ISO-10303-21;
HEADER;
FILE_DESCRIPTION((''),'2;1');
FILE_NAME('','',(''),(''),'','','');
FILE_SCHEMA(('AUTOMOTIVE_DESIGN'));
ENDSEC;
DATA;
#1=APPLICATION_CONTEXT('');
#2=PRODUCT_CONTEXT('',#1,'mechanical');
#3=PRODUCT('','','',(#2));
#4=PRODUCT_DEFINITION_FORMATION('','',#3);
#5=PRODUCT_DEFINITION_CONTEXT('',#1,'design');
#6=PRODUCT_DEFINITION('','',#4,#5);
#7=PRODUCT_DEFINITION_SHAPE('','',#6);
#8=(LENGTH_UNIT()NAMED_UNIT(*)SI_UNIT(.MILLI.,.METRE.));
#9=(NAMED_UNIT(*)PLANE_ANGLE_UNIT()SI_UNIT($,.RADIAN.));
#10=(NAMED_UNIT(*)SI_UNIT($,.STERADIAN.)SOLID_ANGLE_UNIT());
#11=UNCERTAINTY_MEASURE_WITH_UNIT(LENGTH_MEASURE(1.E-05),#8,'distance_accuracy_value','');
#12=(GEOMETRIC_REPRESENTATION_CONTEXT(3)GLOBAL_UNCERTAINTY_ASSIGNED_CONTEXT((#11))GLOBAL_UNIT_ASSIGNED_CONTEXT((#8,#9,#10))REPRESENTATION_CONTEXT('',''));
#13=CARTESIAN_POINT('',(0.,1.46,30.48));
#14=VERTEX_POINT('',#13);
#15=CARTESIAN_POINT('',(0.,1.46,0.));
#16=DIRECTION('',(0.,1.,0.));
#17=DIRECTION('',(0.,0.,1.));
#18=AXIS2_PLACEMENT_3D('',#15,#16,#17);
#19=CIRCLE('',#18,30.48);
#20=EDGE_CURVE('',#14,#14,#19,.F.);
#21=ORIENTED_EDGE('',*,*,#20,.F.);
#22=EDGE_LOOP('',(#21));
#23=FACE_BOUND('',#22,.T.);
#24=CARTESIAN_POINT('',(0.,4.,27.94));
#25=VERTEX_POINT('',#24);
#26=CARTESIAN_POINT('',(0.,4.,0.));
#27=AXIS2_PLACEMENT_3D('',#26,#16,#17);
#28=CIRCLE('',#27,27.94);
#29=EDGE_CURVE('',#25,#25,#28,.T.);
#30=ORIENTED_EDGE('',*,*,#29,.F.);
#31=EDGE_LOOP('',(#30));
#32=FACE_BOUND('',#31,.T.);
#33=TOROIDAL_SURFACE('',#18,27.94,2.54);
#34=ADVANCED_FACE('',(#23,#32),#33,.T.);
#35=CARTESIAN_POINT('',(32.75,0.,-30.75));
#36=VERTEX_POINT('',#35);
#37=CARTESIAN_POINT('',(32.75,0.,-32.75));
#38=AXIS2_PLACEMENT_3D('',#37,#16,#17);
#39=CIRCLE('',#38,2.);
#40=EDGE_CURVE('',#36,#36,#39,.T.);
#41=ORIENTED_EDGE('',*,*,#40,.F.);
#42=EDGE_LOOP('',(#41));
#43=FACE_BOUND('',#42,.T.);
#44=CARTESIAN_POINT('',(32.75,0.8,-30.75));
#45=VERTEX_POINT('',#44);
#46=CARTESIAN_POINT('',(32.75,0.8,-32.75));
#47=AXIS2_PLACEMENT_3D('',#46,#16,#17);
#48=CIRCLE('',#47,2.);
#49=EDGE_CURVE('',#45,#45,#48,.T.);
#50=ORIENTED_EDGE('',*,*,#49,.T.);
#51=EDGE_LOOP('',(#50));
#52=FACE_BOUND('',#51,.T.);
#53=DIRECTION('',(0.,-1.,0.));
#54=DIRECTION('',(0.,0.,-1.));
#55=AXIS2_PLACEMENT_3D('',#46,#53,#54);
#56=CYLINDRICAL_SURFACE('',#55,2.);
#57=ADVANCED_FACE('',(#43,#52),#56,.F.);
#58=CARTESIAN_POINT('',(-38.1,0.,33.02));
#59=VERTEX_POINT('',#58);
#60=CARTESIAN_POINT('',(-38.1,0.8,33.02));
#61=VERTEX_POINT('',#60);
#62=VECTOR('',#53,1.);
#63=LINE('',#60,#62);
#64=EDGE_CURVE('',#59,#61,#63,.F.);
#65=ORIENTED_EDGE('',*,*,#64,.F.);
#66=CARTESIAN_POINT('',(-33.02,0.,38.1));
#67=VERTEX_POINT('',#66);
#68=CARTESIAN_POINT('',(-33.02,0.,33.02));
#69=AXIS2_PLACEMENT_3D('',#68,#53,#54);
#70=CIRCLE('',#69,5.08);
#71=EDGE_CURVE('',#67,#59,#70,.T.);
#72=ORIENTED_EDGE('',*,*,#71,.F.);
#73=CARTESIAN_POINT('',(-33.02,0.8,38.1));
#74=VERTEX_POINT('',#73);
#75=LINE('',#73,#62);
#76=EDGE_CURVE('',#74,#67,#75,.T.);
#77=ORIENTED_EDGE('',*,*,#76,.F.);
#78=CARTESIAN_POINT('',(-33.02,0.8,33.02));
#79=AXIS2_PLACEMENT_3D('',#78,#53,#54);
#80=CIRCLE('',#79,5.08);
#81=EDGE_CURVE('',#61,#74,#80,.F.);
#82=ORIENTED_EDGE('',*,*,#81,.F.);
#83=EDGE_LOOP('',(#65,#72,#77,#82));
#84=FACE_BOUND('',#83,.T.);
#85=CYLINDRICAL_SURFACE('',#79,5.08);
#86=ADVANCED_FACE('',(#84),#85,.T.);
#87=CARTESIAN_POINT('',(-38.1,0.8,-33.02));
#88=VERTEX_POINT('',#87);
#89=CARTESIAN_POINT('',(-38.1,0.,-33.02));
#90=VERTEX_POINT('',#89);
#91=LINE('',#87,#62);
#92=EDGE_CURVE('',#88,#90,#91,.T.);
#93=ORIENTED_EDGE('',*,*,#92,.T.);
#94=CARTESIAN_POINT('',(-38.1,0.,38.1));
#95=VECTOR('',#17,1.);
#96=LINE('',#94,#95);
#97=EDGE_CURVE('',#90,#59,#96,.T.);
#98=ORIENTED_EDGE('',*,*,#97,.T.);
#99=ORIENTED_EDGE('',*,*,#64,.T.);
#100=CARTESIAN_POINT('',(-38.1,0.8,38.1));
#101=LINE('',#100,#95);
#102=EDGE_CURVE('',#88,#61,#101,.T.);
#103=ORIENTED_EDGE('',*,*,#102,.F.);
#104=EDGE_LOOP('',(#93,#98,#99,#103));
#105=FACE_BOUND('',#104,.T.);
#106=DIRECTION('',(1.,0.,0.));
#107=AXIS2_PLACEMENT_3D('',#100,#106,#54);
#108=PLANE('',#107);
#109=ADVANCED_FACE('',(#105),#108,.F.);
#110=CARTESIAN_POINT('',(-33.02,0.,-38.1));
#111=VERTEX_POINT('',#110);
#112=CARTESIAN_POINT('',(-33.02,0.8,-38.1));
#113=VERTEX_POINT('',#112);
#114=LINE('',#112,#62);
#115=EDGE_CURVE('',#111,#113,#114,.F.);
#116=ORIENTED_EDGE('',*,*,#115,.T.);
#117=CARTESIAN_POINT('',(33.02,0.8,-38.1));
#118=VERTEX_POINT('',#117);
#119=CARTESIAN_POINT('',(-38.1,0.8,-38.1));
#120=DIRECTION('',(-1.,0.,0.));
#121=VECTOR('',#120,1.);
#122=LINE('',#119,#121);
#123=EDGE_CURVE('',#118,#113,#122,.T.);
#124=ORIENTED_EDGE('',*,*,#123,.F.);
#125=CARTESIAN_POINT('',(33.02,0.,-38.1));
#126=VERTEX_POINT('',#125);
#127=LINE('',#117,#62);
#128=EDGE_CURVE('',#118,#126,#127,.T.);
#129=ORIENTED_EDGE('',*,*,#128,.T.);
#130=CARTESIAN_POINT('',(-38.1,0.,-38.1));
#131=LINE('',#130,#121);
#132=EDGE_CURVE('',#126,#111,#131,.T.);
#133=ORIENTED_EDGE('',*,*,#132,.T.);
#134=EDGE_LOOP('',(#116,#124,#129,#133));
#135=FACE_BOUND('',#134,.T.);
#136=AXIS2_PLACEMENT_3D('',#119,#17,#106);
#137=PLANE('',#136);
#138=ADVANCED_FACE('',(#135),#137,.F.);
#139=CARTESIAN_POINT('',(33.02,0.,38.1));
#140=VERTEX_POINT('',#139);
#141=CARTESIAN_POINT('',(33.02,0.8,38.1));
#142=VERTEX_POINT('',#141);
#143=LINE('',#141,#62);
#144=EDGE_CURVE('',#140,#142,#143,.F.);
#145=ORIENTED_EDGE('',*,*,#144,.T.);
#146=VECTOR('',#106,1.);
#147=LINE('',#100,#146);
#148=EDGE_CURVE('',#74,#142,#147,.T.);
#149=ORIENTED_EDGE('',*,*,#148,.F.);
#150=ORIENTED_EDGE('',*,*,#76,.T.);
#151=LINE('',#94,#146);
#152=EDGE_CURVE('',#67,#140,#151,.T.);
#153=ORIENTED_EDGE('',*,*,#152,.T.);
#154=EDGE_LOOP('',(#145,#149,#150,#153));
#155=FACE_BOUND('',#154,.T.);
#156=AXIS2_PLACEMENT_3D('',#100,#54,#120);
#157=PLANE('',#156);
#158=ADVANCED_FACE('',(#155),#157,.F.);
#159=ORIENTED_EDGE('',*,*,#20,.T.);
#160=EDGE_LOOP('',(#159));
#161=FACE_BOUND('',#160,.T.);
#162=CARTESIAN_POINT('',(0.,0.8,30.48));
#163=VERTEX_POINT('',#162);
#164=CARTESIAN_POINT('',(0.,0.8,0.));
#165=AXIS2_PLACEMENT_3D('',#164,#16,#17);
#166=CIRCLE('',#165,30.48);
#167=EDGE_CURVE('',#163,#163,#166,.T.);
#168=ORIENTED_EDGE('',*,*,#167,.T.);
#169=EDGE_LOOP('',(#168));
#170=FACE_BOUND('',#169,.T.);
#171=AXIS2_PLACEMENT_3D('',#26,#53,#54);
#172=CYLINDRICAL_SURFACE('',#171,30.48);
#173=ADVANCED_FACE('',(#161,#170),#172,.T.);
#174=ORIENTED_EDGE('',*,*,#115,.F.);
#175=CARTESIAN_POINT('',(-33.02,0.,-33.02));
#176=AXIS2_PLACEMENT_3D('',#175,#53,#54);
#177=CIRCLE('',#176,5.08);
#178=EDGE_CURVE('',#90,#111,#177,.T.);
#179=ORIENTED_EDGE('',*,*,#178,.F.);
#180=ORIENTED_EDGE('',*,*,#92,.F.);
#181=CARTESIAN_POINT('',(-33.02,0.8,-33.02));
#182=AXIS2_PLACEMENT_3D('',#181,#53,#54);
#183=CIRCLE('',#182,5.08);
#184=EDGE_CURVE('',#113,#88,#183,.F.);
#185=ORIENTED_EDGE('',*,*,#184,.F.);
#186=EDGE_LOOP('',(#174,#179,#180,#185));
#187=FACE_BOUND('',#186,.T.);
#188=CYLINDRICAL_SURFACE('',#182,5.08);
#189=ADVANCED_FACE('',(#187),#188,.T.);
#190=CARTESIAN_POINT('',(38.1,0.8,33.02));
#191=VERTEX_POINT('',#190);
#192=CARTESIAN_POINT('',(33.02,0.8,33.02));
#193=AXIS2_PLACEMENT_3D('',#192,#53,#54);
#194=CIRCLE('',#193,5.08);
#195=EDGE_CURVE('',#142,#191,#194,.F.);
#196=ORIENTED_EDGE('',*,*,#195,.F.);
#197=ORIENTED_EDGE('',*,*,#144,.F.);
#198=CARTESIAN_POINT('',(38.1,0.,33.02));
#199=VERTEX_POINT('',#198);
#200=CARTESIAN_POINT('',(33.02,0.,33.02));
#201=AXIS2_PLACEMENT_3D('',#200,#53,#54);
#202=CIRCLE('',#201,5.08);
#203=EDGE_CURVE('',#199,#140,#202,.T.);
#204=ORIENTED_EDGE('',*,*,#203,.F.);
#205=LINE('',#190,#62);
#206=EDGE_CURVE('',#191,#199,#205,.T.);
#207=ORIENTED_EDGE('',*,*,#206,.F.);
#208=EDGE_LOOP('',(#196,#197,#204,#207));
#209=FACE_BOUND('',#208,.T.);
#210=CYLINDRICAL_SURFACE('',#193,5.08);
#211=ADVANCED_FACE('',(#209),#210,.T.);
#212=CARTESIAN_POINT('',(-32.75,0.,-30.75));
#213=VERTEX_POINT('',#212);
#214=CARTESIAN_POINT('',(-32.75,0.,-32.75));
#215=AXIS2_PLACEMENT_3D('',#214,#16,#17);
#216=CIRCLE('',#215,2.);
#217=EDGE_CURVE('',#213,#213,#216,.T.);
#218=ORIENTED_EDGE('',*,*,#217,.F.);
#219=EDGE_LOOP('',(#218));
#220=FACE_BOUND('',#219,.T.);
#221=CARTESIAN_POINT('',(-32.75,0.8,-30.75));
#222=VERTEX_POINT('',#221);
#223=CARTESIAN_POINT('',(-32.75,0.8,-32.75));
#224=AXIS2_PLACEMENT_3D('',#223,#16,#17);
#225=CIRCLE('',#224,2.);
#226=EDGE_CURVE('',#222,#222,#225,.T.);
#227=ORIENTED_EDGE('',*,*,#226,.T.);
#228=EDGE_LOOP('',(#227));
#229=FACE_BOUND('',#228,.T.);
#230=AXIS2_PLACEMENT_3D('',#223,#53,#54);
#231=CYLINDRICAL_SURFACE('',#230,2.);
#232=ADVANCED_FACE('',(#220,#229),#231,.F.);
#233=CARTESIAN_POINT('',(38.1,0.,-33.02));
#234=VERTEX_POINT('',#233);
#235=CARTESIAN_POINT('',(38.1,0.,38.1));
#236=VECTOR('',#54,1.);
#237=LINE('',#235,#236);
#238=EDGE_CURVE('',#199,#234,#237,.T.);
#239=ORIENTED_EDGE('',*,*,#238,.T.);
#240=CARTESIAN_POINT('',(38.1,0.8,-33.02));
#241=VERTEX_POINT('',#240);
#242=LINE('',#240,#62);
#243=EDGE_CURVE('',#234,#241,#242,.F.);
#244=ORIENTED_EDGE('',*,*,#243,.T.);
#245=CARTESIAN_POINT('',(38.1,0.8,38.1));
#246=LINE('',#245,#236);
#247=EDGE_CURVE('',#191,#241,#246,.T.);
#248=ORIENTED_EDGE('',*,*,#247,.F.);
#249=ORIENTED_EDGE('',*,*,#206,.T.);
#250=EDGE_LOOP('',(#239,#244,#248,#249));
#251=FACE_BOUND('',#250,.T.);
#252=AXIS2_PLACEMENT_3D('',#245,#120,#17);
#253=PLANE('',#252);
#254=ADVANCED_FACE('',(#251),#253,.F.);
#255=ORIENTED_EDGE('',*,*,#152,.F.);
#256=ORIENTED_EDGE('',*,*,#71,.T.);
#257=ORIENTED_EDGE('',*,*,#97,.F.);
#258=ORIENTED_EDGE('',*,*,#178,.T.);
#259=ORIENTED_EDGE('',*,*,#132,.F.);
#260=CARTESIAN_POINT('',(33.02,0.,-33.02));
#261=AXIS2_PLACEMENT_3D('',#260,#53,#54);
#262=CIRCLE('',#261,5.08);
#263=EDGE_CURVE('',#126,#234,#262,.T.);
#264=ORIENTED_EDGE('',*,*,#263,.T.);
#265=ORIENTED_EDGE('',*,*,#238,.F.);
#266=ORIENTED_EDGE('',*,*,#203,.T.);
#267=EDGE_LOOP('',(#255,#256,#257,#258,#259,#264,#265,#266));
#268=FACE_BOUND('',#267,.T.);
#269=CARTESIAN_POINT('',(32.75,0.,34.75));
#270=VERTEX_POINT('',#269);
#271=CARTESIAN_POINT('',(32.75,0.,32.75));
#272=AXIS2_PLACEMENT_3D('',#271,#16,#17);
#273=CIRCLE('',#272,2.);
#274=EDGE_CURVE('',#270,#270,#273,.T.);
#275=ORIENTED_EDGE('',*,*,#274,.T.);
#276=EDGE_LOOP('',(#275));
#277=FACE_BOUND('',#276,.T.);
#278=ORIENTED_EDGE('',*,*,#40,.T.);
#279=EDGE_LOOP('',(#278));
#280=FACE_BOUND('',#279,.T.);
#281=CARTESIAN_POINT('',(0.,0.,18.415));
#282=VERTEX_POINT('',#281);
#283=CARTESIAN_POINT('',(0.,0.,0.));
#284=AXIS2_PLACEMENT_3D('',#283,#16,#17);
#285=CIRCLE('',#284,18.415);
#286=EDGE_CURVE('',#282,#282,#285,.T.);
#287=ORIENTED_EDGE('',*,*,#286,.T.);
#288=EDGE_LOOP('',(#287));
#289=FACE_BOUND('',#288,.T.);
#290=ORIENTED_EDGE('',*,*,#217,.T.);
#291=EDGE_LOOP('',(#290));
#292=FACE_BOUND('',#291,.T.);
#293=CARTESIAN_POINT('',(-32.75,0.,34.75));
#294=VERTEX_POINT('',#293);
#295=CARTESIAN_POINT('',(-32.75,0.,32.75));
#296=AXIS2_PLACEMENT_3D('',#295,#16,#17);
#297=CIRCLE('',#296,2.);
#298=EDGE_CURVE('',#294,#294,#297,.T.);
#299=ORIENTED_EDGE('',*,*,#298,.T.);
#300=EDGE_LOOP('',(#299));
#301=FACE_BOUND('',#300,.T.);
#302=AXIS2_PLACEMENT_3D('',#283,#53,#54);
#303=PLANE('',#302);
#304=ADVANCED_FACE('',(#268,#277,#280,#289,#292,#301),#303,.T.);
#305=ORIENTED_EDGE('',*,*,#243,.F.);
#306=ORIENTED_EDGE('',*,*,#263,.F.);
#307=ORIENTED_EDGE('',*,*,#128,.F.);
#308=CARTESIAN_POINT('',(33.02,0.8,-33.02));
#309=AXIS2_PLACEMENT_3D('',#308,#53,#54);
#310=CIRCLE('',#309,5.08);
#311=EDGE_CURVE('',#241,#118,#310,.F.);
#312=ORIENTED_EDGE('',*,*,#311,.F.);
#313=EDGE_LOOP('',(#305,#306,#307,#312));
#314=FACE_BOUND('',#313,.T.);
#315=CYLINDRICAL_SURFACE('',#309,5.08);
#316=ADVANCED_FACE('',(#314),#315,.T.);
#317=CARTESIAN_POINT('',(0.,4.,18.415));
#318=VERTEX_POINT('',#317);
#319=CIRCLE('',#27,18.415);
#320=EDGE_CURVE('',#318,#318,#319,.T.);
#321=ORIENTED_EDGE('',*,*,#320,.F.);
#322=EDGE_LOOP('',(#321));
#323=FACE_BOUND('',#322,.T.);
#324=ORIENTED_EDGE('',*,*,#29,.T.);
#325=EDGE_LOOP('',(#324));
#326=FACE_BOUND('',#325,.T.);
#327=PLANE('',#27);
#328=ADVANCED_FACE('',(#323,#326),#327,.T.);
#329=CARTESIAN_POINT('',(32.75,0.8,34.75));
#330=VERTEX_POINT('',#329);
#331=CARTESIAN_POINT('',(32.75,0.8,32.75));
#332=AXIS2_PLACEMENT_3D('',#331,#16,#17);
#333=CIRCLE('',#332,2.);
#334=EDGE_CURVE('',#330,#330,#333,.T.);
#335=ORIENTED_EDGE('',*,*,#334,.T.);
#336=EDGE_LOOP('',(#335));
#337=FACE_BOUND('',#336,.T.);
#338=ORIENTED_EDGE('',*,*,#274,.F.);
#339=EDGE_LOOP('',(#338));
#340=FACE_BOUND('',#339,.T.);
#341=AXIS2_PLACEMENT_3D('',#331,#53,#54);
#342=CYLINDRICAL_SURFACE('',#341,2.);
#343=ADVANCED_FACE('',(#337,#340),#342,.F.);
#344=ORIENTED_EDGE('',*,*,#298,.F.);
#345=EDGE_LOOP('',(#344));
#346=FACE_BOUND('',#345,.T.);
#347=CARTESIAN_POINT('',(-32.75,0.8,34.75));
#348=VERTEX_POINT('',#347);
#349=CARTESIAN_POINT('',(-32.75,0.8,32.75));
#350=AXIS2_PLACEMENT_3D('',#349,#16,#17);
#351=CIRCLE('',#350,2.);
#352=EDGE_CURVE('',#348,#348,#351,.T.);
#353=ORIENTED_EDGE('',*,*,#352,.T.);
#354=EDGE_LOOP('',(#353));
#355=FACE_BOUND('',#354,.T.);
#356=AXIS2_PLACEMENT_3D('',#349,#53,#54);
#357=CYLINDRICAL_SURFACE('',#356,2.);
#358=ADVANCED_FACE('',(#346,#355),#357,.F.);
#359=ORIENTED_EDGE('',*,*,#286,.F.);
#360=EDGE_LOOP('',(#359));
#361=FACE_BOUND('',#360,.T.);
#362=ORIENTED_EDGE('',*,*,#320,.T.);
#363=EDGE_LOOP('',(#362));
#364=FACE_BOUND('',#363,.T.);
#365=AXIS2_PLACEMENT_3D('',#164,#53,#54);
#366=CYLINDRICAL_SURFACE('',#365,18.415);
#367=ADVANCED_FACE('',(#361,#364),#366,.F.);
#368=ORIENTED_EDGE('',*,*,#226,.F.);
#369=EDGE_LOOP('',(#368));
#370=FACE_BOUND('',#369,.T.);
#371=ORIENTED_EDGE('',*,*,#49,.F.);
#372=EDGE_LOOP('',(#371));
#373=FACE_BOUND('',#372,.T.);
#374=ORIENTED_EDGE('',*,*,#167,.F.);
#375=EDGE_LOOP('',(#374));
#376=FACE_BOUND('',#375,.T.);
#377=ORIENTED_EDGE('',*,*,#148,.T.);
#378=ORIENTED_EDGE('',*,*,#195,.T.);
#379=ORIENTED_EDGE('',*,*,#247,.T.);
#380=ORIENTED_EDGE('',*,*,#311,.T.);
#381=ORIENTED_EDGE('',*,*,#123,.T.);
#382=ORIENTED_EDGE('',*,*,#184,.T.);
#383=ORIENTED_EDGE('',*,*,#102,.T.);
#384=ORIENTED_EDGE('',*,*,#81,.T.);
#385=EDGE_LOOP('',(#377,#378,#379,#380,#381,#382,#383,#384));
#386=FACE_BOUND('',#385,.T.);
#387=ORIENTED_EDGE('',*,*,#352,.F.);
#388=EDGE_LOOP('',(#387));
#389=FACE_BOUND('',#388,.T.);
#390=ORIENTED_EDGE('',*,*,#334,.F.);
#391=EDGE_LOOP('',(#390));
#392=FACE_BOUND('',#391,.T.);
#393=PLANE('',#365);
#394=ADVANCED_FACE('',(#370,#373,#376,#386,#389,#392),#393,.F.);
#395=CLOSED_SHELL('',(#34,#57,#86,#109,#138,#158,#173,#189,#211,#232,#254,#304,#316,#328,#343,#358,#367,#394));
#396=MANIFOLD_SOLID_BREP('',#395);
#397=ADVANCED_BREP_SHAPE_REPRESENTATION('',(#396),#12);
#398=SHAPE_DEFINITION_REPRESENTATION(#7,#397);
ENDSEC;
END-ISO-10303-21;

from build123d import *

# Parameters (mm, degrees)
SKETCH1_W           = 76.2
SKETCH1_H           = 76.2
SKETCH1_R           = 2.000000064
SKETCH1_R_2         = 18.415
BOSS_EXTRUDE1_DEPTH = 0.8
FILLET1_R           = 5.08
SKETCH2_R           = 30.48
SKETCH2_R_2         = 18.415
BOSS_EXTRUDE2_DEPTH = 3.2
FILLET2_R           = 2.54


with BuildPart() as part:
    # Sketch1 → Boss-Extrude1 (new body)
    with BuildSketch(Plane(origin=(0, 0, 0), x_dir=(1, 0, 0), z_dir=(0, 1, 0))):
        Rectangle(SKETCH1_W, SKETCH1_H)
        with Locations((-32.75, 32.75)):
            Circle(SKETCH1_R, mode=Mode.SUBTRACT)
        with Locations((32.75, 32.75)):
            Circle(SKETCH1_R, mode=Mode.SUBTRACT)
        with Locations((32.75, -32.75)):
            Circle(SKETCH1_R, mode=Mode.SUBTRACT)
        with Locations((-32.75, -32.75)):
            Circle(SKETCH1_R, mode=Mode.SUBTRACT)
        Circle(SKETCH1_R_2, mode=Mode.SUBTRACT)
    extrude(amount=BOSS_EXTRUDE1_DEPTH)

    # Fillet1
    fillet1_edges = [part.edges().sort_by_distance(p)[0] for p in [
        (38.1, 0.4, 38.1),
        (-38.1, 0.4, 38.1),
        (-38.1, 0.4, -38.1),
        (38.1, 0.4, -38.1),
    ]]
    fillet(fillet1_edges, radius=FILLET1_R)

    # Sketch2 → Boss-Extrude2 (add)
    with BuildSketch(Plane(origin=(0, 0.8, 0), x_dir=(1, 0, 0), z_dir=(0, 1, 0))):
        Circle(SKETCH2_R)
        Circle(SKETCH2_R_2, mode=Mode.SUBTRACT)
    extrude(amount=BOSS_EXTRUDE2_DEPTH)

    # Fillet2
    fillet2_edges = [part.edges().sort_by_distance(p)[0] for p in [
        (-30.48, 4, 0),
    ]]
    fillet(fillet2_edges, radius=FILLET2_R)


solid = part.part
